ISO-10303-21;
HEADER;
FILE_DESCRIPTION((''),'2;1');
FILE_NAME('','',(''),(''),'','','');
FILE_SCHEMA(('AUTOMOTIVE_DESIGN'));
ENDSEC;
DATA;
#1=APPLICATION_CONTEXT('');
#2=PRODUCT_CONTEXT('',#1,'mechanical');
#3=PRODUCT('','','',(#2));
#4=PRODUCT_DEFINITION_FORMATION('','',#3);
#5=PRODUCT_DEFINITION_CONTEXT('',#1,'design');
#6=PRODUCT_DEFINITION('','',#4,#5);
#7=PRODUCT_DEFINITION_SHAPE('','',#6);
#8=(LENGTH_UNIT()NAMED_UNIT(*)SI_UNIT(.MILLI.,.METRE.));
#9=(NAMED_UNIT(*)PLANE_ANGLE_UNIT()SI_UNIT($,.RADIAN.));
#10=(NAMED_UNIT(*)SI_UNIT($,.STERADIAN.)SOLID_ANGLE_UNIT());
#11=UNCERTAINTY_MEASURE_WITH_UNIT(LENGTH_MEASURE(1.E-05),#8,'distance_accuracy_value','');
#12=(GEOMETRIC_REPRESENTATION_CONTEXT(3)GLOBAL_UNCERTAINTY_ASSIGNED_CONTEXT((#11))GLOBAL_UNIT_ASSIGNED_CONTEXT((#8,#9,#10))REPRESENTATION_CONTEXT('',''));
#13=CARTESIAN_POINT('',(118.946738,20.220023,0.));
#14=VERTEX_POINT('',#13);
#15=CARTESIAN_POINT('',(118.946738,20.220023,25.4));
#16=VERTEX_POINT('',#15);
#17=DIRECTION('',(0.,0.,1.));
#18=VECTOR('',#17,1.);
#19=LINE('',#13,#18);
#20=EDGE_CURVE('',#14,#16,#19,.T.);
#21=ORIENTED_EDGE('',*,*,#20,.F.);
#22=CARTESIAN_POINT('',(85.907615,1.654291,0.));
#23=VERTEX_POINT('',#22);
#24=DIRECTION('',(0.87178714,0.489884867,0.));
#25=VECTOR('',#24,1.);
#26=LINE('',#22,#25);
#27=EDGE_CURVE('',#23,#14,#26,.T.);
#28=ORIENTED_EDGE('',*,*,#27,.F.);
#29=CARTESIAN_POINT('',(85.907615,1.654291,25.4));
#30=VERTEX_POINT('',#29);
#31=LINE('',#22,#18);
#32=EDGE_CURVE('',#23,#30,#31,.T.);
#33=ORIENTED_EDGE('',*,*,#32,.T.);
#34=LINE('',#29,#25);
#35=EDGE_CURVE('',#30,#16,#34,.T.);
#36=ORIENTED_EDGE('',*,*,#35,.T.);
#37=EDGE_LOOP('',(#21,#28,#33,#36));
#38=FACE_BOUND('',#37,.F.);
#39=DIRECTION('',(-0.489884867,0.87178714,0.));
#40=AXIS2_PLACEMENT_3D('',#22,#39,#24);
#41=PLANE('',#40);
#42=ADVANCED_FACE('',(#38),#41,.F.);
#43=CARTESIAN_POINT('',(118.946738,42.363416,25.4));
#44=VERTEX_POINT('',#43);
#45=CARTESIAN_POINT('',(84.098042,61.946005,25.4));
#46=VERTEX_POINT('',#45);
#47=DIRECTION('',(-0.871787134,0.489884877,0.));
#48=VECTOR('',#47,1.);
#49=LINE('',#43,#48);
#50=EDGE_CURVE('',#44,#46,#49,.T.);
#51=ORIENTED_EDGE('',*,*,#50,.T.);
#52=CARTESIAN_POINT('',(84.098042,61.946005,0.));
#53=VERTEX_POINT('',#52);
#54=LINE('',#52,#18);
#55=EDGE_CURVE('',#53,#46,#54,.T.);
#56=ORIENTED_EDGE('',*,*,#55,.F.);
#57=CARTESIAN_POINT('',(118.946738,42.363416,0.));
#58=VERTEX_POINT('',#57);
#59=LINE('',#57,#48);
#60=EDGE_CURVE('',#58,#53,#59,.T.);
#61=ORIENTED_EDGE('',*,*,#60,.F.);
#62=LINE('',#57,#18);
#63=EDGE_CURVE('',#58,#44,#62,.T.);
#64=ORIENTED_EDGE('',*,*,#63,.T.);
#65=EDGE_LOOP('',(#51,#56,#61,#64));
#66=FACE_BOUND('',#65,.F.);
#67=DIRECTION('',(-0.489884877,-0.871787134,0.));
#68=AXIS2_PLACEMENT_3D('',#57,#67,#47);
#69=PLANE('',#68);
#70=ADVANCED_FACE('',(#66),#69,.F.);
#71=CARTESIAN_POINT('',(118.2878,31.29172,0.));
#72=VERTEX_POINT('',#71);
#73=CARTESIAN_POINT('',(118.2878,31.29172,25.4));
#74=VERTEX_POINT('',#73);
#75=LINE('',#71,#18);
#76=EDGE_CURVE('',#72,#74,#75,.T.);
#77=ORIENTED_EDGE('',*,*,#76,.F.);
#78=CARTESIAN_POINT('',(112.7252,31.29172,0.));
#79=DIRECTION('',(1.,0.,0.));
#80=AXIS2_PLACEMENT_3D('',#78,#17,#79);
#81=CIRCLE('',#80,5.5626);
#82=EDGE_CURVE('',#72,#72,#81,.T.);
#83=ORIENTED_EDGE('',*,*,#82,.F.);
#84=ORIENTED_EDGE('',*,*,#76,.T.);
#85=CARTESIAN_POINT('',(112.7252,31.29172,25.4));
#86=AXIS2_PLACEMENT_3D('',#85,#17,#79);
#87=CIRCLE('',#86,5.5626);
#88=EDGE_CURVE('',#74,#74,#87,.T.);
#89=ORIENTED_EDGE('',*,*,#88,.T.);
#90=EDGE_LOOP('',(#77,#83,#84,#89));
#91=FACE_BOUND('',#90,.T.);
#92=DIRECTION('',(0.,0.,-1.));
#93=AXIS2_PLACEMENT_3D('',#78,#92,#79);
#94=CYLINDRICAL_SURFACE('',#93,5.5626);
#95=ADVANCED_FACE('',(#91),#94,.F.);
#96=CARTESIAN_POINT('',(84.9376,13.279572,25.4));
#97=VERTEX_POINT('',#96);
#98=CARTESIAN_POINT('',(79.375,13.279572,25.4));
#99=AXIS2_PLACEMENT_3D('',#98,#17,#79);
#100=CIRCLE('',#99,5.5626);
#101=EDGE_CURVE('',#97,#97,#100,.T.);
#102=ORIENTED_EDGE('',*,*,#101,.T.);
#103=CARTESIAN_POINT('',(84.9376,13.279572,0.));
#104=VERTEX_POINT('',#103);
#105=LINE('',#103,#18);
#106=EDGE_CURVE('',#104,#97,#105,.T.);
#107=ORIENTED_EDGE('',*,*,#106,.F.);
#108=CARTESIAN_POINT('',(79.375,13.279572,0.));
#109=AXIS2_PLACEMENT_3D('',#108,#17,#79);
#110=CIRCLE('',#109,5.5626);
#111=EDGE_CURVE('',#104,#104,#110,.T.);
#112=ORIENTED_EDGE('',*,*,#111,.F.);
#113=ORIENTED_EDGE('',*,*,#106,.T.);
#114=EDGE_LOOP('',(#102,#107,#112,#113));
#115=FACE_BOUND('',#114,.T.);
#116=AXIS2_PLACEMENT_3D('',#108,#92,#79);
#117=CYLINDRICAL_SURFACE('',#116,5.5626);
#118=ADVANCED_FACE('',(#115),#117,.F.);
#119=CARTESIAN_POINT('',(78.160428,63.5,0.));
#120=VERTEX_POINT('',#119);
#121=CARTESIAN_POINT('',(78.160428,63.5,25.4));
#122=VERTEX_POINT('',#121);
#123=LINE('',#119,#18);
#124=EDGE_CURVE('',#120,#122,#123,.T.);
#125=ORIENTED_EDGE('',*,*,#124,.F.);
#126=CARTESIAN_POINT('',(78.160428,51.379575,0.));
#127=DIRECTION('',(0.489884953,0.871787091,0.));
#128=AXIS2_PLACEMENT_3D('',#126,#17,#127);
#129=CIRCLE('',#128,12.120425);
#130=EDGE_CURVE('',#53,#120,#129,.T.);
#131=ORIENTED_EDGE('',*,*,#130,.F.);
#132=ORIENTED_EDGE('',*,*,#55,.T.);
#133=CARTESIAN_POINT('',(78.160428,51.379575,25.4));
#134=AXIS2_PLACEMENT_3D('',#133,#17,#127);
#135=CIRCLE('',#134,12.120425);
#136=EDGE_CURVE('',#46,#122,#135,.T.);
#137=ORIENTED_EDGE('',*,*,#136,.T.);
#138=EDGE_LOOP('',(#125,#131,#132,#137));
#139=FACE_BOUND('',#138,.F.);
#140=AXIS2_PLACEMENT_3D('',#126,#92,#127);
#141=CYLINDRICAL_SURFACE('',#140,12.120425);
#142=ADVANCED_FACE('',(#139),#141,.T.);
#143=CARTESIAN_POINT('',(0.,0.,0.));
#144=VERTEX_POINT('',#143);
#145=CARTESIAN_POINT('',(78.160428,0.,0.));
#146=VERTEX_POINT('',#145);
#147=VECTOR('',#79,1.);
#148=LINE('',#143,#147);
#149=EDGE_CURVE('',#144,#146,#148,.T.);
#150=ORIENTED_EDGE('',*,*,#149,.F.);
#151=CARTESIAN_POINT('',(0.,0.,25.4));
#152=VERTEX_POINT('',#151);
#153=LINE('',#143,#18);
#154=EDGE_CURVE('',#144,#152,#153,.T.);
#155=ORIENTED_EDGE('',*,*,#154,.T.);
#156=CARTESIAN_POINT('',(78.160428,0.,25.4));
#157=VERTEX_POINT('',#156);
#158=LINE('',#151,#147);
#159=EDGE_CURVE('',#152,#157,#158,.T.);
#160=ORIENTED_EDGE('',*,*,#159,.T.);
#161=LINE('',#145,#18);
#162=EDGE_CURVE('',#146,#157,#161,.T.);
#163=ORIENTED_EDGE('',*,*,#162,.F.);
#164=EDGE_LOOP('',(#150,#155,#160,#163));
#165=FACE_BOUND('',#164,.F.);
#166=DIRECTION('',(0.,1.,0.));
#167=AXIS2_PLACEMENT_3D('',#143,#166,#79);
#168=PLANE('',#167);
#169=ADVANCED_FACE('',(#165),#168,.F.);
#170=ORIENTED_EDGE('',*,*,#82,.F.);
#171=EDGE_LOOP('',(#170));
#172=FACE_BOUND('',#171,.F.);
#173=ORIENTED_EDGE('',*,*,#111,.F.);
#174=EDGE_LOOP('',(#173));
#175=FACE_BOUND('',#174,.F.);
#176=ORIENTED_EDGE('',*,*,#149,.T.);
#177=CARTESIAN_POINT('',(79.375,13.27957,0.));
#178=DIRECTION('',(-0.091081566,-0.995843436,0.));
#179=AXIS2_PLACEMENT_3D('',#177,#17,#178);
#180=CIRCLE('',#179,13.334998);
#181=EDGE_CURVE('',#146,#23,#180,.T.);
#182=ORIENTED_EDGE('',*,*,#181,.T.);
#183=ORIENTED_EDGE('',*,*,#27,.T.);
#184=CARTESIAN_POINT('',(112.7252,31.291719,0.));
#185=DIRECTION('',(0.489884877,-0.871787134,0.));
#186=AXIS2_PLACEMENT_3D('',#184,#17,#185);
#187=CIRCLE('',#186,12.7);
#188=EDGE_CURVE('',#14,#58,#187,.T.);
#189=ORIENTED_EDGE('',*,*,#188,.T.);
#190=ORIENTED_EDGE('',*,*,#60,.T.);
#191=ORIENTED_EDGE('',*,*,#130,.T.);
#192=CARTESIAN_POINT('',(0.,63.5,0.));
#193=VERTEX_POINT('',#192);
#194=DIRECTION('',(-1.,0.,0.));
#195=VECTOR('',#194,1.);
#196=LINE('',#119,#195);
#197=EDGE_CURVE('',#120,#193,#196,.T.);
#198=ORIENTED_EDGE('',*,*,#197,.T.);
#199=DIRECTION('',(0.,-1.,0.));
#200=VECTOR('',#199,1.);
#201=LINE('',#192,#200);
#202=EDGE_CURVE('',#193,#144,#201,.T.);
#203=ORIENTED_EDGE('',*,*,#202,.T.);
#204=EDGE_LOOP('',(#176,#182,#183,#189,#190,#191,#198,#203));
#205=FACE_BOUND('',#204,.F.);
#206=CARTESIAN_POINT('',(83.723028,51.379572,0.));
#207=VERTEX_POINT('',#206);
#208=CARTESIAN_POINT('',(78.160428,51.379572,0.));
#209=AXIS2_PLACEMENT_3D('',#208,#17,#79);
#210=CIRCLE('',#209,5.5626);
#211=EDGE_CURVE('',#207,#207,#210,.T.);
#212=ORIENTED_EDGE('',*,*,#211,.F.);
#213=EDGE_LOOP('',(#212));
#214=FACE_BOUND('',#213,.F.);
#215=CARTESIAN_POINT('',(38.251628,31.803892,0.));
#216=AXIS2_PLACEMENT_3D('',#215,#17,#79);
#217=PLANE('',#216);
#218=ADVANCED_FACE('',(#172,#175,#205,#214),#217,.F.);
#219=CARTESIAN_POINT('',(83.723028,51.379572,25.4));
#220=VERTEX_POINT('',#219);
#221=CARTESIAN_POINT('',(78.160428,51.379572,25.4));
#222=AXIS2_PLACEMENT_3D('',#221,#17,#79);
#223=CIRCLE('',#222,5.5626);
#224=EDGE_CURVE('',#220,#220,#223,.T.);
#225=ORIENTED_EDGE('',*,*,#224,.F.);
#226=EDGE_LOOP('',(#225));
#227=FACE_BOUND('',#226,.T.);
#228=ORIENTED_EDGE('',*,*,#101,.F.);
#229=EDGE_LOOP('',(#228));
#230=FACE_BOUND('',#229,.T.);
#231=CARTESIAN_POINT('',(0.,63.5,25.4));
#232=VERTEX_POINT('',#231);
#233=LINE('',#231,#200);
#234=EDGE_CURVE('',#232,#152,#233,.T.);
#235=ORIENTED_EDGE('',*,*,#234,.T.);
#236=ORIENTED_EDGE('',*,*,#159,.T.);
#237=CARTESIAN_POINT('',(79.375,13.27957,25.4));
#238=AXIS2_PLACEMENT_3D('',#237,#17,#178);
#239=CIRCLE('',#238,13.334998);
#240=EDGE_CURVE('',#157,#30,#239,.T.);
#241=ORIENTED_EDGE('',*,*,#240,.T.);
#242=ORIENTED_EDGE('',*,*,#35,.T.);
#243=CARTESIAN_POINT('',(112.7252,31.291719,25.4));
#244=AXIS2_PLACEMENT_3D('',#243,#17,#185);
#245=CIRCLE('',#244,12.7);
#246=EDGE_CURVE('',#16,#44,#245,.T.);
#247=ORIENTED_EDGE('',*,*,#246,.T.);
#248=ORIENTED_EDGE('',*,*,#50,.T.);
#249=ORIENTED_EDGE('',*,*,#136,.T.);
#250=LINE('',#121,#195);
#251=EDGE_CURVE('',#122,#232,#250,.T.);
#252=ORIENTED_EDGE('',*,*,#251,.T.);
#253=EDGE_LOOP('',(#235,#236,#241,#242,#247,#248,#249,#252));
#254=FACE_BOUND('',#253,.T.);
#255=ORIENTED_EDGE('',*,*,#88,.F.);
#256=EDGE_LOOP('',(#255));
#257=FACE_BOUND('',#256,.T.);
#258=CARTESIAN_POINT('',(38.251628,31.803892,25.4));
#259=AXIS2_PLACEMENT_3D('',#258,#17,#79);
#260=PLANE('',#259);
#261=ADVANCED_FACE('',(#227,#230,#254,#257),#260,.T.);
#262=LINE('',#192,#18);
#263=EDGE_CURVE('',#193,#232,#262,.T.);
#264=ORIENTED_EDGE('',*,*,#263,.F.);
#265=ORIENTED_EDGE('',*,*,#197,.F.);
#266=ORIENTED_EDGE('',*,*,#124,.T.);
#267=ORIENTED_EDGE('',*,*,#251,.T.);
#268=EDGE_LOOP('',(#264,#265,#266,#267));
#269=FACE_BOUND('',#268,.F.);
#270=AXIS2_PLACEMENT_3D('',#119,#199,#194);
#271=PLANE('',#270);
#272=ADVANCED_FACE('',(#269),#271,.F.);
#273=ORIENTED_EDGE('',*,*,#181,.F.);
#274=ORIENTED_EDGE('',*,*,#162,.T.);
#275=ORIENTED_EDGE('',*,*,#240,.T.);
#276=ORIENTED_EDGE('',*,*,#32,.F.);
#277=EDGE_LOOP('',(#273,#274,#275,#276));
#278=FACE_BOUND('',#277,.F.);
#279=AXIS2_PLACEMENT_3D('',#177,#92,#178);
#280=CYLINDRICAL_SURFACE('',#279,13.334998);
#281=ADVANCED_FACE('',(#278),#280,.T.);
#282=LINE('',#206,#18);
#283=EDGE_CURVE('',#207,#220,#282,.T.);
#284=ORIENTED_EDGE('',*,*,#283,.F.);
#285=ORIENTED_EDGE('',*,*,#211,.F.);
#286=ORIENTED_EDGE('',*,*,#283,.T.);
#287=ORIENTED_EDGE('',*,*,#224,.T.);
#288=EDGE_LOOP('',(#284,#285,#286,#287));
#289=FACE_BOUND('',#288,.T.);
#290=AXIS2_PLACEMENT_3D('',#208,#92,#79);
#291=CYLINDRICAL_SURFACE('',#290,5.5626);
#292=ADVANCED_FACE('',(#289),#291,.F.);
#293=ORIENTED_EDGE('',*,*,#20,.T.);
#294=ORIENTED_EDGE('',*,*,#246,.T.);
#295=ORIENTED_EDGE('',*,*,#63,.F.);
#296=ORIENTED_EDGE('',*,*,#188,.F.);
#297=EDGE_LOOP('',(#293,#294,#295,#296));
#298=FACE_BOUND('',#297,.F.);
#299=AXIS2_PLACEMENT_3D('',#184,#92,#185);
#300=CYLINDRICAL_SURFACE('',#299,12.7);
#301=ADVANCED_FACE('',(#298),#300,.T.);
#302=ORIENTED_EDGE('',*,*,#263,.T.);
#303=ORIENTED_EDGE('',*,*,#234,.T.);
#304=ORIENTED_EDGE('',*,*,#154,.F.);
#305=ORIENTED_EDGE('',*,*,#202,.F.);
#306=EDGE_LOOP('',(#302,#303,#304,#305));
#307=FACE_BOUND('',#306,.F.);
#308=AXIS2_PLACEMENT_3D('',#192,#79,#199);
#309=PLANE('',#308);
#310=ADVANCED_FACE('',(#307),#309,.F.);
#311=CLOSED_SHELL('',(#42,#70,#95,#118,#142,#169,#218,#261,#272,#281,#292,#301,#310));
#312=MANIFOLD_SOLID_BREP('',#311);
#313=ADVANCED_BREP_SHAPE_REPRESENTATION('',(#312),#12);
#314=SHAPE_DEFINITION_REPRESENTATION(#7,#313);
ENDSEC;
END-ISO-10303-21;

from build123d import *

# Parameters (mm, degrees)
F0_R     = 5.5626
F1_DEPTH = 25.4


with BuildPart() as f1:
    # F0 (on Top) → F1 (new body)
    with BuildSketch(Plane.XY):
        with BuildLine():
            Line((78.160428, 63.5), (0, 63.5))
            Line((0, 63.5), (0, 0))
            Line((0, 0), (78.160428, 0))
            ThreePointArc((78.160428, 0), (69.525671, 4.28997), (66.04, 13.279572))
            Line((66.04, 13.279572), (66.04, 51.379572))
            ThreePointArc((66.04, 51.379572), (69.589991, 59.950009), (78.160428, 63.5))
        make_face()
        with BuildLine():
            ThreePointArc((84.098042, 61.946005), (81.229229, 63.105067), (78.160428, 63.5))
            ThreePointArc((78.160428, 63.5), (69.589991, 59.950009), (66.04, 51.379572))
            Line((66.04, 51.379572), (66.04, 13.279572))
            ThreePointArc((66.04, 13.279572), (69.525671, 4.28997), (78.160428, 0))
            ThreePointArc((78.160428, 0), (82.159702, 0.238573), (85.907615, 1.654291))
            Line((85.907615, 1.654291), (118.946738, 20.220023))
            ThreePointArc((118.946738, 20.220023), (125.4252, 31.29172), (118.946738, 42.363416))
            Line((118.946738, 42.363416), (84.098042, 61.946005))
        make_face()
        with Locations((79.375, 13.279572)):
            Circle(F0_R, mode=Mode.SUBTRACT)
        with Locations((112.7252, 31.29172)):
            Circle(F0_R, mode=Mode.SUBTRACT)
        with Locations((78.160428, 51.379572)):
            Circle(F0_R, mode=Mode.SUBTRACT)
    extrude(amount=F1_DEPTH)


solid = f1.part
